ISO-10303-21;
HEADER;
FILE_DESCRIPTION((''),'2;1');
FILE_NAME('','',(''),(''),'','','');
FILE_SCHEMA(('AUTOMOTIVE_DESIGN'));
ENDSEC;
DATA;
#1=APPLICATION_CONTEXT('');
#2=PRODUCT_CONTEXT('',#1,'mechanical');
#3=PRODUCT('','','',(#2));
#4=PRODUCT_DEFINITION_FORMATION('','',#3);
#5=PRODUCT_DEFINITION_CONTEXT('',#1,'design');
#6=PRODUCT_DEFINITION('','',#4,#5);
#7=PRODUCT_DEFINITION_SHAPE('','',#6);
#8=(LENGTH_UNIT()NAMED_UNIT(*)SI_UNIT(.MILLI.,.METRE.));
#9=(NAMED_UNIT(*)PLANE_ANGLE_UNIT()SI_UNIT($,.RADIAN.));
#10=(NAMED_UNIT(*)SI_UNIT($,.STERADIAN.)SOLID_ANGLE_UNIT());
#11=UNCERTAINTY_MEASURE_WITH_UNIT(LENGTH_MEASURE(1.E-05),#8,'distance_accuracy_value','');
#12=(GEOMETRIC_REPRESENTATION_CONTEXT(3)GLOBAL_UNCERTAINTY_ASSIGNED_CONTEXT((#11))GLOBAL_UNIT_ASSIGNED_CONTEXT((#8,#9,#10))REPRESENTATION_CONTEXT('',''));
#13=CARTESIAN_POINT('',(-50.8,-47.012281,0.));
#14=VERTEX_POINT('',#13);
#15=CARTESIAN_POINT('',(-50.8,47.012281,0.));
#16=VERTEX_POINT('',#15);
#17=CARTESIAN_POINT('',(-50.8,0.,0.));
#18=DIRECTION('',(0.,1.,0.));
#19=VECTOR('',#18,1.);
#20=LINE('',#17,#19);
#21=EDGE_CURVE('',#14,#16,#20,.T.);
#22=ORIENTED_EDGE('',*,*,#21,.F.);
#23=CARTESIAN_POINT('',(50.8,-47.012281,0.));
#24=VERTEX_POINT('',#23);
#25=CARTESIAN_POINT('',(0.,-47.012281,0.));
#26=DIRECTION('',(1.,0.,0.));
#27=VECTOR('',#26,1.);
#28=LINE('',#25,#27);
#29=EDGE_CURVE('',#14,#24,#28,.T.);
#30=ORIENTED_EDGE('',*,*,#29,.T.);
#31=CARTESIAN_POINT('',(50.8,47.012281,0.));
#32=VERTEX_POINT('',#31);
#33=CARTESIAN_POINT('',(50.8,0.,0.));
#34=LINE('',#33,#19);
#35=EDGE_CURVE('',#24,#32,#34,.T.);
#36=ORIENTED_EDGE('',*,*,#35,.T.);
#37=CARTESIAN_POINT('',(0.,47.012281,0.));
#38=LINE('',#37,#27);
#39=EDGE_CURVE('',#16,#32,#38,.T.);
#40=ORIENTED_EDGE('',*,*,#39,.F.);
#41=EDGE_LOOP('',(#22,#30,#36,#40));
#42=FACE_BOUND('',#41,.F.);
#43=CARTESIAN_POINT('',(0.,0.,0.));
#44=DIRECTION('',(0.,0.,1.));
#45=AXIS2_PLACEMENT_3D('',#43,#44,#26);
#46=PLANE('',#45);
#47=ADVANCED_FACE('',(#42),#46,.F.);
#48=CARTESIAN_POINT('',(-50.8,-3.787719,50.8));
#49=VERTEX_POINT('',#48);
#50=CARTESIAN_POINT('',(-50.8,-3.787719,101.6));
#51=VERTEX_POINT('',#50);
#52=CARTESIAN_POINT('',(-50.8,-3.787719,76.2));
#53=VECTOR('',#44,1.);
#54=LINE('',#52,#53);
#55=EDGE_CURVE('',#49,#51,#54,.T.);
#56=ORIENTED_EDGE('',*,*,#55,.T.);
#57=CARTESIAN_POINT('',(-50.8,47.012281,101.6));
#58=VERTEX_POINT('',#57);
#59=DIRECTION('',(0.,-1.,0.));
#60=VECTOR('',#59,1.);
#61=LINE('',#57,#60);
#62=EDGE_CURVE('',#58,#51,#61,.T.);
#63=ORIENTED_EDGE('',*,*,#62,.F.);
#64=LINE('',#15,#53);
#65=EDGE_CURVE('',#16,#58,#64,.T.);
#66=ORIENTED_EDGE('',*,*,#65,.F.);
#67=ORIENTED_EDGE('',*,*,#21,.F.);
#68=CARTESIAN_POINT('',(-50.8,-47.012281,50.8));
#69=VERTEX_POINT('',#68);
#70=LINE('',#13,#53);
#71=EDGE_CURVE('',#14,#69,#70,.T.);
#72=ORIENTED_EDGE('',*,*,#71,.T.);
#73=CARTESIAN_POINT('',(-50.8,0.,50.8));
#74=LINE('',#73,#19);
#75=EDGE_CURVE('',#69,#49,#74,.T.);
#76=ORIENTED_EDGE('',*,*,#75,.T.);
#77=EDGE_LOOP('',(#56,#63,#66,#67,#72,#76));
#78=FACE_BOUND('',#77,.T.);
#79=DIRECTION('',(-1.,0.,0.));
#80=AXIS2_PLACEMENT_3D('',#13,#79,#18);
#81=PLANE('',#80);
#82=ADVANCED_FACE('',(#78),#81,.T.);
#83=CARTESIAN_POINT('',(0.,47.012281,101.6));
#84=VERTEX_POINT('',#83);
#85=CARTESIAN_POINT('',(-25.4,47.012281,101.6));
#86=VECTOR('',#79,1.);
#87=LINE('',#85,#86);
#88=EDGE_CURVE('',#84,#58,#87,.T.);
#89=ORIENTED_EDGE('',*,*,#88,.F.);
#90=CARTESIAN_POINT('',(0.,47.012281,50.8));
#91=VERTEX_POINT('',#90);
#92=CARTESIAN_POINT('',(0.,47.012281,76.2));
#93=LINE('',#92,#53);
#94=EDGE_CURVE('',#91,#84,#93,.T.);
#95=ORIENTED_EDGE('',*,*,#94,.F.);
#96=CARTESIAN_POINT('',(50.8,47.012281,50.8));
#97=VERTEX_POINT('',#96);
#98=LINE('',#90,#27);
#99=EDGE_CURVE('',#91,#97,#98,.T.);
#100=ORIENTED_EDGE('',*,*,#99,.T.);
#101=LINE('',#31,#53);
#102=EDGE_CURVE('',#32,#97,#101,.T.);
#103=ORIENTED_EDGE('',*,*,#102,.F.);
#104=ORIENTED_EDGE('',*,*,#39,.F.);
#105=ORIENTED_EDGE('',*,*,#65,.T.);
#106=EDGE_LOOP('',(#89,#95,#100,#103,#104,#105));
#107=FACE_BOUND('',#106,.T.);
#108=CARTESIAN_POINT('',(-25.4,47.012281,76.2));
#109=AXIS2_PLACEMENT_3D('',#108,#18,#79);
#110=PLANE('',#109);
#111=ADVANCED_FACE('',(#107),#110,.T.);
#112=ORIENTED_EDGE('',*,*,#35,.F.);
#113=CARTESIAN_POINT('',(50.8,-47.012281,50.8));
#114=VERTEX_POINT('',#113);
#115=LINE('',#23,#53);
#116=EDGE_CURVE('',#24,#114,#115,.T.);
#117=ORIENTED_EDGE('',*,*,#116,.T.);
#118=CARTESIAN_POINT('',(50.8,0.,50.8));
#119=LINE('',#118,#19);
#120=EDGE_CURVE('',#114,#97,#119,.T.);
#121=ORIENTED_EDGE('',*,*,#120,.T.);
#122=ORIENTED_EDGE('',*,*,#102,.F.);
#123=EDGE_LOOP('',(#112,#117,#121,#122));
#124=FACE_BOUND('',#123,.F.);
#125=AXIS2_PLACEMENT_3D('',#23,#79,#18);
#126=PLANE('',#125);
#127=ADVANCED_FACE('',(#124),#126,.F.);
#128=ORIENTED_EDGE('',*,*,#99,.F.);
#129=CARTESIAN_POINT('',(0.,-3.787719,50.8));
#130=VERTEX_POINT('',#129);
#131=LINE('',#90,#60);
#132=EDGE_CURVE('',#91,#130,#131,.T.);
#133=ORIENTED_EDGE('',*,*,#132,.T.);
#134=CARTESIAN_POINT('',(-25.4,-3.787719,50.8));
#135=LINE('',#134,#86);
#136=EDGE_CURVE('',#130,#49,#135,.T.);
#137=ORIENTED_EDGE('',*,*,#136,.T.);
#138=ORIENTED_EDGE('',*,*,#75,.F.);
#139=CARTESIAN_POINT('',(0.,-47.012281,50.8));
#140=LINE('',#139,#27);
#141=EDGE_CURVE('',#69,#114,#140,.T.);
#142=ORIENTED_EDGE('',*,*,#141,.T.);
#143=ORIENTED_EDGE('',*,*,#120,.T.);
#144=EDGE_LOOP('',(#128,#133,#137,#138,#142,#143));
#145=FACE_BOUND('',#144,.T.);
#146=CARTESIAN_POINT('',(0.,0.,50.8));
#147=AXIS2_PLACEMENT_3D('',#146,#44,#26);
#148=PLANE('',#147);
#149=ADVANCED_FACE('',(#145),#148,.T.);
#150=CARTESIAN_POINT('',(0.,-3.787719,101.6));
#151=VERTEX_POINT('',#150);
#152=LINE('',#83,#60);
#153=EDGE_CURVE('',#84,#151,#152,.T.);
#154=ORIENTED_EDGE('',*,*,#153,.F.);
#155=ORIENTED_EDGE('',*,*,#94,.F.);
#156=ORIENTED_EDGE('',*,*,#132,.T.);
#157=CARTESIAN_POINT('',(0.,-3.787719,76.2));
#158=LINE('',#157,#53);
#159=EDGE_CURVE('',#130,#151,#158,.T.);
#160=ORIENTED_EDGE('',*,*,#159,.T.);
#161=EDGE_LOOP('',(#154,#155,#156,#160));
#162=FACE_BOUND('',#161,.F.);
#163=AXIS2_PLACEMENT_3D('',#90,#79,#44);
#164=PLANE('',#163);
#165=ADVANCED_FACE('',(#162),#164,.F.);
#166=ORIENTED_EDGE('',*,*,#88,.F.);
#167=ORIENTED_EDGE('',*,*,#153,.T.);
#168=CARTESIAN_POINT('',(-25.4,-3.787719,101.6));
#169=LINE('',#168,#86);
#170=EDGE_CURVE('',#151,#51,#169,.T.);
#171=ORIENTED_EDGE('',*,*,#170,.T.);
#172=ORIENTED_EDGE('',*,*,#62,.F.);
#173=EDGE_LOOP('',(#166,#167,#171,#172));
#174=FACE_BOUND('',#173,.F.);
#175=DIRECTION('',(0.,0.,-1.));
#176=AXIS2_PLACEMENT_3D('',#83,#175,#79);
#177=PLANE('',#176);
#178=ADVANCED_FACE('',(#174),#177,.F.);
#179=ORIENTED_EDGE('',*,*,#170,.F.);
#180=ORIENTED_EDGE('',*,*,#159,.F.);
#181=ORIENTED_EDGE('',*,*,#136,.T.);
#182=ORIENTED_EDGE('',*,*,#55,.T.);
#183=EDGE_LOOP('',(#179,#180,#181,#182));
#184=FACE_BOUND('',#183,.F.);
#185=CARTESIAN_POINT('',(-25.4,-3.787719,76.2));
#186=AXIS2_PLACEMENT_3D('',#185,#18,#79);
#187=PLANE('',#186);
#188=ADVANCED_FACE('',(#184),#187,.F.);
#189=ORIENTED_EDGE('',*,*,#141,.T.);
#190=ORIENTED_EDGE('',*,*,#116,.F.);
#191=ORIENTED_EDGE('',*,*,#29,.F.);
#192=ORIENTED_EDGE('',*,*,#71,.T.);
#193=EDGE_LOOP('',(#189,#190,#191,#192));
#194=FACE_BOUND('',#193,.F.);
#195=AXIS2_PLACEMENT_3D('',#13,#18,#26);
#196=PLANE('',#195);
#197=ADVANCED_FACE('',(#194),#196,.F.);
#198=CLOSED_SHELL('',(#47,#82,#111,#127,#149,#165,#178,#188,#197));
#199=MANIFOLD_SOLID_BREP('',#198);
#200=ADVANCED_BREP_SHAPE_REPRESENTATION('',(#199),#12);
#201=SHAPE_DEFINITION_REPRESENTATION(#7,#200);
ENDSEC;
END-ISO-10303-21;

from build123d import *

# Parameters (mm, degrees)
F0_W     = 101.6
F0_H     = 94.024562
F1_DEPTH = 50.8
F2_W     = 50.8
F2_H     = 50.8
F3_DEPTH = 50.8


with BuildPart() as f1:
    # F0 (on Top) → F1 (new body)
    with BuildSketch(Plane.XY):
        Rectangle(F0_W, F0_H)
    extrude(amount=F1_DEPTH)

    # F2 (on face) → F3 (join)
    with BuildSketch(Plane(origin=(0, 47.012281, 0), x_dir=(-1, 0, 0), z_dir=(0, 1, 0))):
        with Locations((25.4, 76.2)):
            Rectangle(F2_W, F2_H)
    extrude(amount=-F3_DEPTH)


solid = f1.part
